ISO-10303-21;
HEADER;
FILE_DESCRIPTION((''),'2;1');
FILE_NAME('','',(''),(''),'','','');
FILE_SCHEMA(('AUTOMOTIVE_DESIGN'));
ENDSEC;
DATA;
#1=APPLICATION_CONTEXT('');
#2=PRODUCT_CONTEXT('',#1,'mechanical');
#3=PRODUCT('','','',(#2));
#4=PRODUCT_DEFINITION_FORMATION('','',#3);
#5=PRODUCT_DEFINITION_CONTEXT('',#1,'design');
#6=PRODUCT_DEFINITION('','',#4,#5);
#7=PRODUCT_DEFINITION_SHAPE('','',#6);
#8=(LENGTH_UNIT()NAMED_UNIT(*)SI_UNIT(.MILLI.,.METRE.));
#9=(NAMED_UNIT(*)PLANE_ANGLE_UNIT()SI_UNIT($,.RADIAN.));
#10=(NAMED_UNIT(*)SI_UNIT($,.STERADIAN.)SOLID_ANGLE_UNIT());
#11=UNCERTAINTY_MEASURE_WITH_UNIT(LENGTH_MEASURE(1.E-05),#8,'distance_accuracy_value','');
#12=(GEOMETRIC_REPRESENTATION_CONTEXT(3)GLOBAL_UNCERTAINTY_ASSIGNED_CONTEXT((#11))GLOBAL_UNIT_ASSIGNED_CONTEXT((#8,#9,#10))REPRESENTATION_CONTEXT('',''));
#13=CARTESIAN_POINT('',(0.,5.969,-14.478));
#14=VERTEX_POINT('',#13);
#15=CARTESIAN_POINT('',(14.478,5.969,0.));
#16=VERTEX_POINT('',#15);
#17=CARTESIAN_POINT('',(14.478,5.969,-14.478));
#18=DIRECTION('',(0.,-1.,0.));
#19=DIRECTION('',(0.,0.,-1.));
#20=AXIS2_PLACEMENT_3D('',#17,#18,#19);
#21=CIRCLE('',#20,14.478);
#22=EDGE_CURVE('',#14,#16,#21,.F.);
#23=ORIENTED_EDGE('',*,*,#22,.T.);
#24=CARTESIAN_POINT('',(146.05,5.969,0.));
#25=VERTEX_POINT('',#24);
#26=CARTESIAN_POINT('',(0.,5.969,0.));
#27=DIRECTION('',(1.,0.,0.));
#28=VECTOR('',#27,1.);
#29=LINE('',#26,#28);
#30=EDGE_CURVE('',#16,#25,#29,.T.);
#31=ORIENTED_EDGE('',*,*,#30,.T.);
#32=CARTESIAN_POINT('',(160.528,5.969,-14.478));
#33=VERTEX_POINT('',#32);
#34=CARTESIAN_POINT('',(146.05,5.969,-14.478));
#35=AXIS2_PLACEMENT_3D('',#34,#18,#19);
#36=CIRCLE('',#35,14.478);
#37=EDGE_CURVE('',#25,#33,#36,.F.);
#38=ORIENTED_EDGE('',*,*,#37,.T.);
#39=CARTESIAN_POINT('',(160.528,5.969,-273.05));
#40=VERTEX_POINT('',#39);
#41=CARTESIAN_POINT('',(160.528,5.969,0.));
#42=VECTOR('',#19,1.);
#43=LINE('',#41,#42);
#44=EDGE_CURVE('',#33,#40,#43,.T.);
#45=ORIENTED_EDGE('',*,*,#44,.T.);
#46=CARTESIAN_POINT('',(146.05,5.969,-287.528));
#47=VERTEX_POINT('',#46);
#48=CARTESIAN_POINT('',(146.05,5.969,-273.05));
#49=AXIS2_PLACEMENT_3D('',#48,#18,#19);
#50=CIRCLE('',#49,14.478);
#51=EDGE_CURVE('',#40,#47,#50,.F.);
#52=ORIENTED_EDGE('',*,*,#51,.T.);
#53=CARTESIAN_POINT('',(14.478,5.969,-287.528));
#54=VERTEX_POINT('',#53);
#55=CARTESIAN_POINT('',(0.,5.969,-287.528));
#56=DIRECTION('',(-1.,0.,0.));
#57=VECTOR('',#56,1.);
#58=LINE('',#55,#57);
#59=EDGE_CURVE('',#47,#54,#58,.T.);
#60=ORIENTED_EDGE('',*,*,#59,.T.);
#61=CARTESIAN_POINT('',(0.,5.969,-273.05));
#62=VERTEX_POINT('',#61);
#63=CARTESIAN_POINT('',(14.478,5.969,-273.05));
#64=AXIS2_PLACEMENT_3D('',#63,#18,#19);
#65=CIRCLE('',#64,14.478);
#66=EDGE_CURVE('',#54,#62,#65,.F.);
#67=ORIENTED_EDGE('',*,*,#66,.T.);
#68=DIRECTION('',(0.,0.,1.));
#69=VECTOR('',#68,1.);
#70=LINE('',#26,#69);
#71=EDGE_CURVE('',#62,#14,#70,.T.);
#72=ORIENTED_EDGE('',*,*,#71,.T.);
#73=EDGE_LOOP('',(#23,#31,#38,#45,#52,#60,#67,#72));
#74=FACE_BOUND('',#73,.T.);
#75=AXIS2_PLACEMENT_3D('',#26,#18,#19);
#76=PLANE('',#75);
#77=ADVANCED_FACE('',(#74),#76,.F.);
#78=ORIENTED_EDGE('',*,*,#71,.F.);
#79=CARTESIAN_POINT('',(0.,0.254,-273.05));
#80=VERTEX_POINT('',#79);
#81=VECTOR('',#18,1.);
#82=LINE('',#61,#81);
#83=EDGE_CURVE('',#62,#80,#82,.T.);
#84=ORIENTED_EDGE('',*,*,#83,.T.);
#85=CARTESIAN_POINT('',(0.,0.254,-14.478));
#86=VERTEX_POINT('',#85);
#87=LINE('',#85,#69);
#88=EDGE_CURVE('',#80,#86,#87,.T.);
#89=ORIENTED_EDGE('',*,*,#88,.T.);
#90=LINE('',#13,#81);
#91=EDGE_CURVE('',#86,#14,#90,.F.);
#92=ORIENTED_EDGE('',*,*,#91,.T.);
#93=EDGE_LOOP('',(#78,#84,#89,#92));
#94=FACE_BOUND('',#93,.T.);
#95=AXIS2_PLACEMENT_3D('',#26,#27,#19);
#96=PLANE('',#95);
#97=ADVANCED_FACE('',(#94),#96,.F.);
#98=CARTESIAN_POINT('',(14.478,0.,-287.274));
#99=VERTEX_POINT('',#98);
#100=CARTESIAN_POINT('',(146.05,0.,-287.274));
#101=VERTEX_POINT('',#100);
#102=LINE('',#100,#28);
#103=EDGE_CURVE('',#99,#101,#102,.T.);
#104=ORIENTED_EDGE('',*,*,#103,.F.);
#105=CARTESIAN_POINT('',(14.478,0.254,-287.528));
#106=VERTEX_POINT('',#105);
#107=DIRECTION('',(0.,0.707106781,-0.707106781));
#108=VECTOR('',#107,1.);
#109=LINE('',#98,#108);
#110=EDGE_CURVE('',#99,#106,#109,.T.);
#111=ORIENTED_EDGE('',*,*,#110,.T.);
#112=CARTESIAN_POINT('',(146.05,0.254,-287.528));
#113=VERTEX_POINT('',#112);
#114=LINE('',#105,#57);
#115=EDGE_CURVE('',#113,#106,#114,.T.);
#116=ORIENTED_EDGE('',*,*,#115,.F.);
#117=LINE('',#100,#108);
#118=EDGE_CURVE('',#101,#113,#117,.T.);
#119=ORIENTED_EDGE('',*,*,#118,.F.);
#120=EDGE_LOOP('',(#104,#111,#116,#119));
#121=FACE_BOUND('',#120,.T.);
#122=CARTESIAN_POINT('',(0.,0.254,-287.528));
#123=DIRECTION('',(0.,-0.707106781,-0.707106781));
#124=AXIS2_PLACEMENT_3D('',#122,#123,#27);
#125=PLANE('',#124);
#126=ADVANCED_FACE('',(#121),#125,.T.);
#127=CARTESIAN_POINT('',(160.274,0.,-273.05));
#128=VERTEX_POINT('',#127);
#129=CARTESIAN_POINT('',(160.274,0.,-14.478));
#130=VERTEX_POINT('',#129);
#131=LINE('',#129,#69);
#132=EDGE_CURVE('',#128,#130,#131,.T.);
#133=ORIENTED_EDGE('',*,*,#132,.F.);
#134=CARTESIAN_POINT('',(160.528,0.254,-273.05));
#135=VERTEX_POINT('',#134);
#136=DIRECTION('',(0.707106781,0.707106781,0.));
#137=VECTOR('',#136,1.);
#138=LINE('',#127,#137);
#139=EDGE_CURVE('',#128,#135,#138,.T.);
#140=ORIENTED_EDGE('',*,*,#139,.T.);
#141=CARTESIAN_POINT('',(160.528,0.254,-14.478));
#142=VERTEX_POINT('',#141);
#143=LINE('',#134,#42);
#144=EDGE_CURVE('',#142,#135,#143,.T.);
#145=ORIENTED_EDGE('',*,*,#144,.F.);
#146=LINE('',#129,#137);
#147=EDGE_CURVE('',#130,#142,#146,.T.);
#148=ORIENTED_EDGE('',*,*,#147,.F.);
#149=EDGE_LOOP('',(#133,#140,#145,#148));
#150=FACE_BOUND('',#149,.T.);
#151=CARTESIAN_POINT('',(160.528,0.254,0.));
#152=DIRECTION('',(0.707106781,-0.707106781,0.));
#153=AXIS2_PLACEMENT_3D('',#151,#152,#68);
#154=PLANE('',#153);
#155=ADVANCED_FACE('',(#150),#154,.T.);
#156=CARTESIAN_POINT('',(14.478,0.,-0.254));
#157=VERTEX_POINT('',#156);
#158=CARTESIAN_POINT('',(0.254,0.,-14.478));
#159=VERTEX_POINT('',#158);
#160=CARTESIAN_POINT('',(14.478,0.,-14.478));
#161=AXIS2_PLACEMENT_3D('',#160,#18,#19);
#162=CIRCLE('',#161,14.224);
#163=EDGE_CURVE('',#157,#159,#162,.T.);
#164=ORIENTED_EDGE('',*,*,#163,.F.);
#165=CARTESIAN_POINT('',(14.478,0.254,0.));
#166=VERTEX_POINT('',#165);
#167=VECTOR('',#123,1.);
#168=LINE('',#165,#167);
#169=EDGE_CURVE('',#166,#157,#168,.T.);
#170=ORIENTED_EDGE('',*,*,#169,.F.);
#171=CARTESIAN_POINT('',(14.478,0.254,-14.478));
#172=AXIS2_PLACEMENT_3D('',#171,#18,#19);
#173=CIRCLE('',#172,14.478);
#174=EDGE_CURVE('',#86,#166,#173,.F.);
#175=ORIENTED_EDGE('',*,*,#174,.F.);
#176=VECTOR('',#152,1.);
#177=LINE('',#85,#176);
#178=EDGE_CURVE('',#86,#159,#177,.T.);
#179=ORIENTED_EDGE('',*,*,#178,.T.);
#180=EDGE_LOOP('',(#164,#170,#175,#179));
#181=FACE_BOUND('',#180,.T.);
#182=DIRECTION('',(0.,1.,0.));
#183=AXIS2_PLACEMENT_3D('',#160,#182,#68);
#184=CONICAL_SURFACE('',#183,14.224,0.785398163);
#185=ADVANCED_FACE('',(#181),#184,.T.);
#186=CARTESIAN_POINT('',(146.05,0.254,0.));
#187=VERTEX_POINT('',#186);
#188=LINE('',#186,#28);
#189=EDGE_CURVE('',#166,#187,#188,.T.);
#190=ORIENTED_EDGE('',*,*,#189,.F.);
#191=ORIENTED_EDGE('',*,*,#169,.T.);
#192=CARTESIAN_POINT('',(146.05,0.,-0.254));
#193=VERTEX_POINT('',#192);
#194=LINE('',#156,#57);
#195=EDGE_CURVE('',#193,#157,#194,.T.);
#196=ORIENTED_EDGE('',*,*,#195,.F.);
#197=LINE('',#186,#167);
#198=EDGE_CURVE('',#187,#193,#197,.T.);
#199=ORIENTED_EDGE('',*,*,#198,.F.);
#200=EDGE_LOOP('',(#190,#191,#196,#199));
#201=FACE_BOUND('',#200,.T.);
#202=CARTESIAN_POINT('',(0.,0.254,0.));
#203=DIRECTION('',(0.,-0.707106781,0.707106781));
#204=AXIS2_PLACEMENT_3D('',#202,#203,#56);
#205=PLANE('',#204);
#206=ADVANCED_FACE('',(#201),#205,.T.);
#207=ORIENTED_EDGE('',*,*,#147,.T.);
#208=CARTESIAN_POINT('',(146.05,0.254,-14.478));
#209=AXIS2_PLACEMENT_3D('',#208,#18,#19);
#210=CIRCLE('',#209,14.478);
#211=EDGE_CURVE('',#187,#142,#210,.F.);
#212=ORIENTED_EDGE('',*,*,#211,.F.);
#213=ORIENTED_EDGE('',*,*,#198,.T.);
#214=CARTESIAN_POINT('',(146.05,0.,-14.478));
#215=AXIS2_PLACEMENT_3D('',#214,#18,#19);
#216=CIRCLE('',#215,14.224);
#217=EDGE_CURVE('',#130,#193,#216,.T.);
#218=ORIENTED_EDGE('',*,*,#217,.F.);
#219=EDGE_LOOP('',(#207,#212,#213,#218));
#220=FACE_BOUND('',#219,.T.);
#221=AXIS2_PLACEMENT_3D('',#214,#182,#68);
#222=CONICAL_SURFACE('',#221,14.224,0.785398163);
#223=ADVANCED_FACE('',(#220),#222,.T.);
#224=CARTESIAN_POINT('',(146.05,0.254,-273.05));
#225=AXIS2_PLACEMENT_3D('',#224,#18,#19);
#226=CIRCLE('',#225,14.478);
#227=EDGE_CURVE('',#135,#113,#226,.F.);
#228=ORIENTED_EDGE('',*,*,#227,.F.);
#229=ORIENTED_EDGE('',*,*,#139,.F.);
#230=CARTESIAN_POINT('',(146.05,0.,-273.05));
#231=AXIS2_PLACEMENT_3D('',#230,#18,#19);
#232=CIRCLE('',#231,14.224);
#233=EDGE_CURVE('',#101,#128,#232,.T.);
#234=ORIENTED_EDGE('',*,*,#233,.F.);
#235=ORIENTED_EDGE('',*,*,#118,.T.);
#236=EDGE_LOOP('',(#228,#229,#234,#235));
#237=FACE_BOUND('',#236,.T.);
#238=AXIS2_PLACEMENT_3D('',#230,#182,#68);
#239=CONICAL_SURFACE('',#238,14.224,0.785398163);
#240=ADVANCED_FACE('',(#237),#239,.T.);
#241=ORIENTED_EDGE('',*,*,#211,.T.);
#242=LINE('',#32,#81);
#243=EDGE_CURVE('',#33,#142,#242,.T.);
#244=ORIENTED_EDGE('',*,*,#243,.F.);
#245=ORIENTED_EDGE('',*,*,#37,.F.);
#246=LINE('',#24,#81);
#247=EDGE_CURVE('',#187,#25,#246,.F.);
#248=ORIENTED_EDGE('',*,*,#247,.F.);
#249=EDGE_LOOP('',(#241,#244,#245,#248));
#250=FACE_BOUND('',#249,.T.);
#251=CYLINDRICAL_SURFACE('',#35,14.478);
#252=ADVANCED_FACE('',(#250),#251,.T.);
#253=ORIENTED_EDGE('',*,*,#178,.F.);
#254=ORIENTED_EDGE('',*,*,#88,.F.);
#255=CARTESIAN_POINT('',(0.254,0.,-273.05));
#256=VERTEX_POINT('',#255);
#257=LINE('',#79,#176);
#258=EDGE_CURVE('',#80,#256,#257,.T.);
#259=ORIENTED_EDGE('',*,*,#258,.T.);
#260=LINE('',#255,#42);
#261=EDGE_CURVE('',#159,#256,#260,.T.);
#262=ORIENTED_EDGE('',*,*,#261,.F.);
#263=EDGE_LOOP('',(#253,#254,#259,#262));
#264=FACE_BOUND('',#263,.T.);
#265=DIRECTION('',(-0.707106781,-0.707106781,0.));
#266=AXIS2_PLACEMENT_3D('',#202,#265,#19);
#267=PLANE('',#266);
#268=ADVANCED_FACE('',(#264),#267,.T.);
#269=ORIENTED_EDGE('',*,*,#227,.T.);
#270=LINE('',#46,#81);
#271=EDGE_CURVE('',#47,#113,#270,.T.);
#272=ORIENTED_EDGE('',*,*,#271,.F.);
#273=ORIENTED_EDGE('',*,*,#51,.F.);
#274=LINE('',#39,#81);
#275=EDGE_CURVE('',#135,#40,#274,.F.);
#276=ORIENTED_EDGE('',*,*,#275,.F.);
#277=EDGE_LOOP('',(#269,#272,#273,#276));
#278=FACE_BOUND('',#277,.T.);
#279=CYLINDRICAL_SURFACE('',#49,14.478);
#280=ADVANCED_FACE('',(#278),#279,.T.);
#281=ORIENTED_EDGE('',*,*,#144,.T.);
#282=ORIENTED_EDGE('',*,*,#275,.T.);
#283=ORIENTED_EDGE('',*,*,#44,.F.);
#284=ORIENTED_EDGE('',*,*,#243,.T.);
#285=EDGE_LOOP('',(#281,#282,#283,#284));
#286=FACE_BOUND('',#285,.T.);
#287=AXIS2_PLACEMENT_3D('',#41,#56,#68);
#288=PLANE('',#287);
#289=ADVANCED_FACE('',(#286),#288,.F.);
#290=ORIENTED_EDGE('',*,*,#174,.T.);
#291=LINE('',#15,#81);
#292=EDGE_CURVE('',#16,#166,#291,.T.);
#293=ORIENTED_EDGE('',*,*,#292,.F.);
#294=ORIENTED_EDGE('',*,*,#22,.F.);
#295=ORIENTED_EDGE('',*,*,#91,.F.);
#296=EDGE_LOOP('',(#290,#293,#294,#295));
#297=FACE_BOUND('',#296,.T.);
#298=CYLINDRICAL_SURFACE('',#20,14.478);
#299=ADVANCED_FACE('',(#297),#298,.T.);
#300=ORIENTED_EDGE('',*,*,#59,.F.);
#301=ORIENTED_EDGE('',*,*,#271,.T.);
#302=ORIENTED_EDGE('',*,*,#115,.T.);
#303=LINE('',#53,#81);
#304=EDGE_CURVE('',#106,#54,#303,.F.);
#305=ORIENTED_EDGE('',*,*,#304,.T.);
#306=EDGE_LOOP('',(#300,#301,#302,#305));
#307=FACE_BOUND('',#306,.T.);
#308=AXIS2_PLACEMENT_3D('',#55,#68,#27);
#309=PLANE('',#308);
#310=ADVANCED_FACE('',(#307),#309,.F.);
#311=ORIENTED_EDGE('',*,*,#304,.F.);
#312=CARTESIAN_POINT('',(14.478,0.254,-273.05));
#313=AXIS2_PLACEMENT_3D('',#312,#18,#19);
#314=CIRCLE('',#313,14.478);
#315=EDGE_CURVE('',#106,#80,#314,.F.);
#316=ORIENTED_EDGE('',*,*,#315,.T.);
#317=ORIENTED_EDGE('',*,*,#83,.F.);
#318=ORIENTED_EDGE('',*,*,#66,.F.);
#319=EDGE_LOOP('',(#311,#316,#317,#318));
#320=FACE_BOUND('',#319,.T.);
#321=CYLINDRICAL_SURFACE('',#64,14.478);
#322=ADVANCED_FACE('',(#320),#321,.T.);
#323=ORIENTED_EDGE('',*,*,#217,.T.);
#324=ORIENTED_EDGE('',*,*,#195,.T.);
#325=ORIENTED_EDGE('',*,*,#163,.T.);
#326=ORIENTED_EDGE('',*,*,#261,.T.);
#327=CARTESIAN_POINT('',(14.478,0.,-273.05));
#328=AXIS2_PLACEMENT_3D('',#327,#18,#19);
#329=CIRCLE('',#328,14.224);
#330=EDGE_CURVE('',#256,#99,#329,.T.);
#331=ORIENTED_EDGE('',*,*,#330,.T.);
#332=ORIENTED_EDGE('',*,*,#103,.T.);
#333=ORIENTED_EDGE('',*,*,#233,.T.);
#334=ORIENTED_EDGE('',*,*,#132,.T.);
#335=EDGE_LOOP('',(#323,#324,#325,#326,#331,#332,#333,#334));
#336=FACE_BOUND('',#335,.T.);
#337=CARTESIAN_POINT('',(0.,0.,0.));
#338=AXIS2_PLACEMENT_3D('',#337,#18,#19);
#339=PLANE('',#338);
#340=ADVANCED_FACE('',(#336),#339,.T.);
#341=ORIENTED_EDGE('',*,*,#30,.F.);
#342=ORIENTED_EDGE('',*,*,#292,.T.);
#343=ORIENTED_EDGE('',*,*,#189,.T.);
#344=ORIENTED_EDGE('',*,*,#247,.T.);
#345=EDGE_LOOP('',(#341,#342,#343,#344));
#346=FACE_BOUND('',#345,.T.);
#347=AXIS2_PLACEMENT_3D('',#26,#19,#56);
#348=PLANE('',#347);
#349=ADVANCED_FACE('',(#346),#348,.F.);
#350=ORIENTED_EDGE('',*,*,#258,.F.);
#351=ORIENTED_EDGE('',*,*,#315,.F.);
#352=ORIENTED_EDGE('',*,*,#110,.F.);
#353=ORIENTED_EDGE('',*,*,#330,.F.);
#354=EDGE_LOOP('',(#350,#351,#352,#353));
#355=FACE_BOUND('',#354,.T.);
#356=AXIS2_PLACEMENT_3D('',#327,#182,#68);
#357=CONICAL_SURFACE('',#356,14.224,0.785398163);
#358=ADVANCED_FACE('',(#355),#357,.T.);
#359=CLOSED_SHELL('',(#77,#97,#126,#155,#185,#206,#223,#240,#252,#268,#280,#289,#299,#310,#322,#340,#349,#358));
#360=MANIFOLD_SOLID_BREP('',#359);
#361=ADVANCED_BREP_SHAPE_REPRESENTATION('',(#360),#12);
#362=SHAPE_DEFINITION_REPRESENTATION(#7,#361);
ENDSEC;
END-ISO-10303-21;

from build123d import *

# Parameters (mm, degrees)
SKETCH1_W           = 160.528
SKETCH1_H           = 287.528
BOSS_EXTRUDE1_DEPTH = 5.969
FILLET2_R           = 14.478
CHAMFER1_SIZE       = 0.254


with BuildPart() as part:
    # Sketch1 → Boss-Extrude1 (new body)
    with BuildSketch(Plane(origin=(0, 0, 0), x_dir=(1, 0, 0), z_dir=(0, 1, 0))):
        with Locations((80.264, 143.764)):
            Rectangle(SKETCH1_W, SKETCH1_H)
    extrude(amount=BOSS_EXTRUDE1_DEPTH)

    # Fillet2
    fillet2_edges = [part.edges().sort_by_distance(p)[0] for p in [
        (0, 2.9845, -287.528),
        (160.528, 2.9845, -287.528),
        (160.528, 2.9845, 0),
        (0, 2.9845, 0),
    ]]
    fillet(fillet2_edges, radius=FILLET2_R)

    # Chamfer1
    chamfer1_edges = [part.edges().sort_by_distance(p)[0] for p in [
        (80.264, 0, -287.528),
        (0, 0, -143.764),
        (160.528, 0, -143.764),
        (80.264, 0, 0),
        (4.240508022, 0, -283.287491978),
        (4.240508022, 0, -4.240508022),
        (156.287491978, 0, -4.240508022),
        (156.287491978, 0, -283.287491978),
    ]]
    chamfer(chamfer1_edges, length=CHAMFER1_SIZE)


solid = part.part
